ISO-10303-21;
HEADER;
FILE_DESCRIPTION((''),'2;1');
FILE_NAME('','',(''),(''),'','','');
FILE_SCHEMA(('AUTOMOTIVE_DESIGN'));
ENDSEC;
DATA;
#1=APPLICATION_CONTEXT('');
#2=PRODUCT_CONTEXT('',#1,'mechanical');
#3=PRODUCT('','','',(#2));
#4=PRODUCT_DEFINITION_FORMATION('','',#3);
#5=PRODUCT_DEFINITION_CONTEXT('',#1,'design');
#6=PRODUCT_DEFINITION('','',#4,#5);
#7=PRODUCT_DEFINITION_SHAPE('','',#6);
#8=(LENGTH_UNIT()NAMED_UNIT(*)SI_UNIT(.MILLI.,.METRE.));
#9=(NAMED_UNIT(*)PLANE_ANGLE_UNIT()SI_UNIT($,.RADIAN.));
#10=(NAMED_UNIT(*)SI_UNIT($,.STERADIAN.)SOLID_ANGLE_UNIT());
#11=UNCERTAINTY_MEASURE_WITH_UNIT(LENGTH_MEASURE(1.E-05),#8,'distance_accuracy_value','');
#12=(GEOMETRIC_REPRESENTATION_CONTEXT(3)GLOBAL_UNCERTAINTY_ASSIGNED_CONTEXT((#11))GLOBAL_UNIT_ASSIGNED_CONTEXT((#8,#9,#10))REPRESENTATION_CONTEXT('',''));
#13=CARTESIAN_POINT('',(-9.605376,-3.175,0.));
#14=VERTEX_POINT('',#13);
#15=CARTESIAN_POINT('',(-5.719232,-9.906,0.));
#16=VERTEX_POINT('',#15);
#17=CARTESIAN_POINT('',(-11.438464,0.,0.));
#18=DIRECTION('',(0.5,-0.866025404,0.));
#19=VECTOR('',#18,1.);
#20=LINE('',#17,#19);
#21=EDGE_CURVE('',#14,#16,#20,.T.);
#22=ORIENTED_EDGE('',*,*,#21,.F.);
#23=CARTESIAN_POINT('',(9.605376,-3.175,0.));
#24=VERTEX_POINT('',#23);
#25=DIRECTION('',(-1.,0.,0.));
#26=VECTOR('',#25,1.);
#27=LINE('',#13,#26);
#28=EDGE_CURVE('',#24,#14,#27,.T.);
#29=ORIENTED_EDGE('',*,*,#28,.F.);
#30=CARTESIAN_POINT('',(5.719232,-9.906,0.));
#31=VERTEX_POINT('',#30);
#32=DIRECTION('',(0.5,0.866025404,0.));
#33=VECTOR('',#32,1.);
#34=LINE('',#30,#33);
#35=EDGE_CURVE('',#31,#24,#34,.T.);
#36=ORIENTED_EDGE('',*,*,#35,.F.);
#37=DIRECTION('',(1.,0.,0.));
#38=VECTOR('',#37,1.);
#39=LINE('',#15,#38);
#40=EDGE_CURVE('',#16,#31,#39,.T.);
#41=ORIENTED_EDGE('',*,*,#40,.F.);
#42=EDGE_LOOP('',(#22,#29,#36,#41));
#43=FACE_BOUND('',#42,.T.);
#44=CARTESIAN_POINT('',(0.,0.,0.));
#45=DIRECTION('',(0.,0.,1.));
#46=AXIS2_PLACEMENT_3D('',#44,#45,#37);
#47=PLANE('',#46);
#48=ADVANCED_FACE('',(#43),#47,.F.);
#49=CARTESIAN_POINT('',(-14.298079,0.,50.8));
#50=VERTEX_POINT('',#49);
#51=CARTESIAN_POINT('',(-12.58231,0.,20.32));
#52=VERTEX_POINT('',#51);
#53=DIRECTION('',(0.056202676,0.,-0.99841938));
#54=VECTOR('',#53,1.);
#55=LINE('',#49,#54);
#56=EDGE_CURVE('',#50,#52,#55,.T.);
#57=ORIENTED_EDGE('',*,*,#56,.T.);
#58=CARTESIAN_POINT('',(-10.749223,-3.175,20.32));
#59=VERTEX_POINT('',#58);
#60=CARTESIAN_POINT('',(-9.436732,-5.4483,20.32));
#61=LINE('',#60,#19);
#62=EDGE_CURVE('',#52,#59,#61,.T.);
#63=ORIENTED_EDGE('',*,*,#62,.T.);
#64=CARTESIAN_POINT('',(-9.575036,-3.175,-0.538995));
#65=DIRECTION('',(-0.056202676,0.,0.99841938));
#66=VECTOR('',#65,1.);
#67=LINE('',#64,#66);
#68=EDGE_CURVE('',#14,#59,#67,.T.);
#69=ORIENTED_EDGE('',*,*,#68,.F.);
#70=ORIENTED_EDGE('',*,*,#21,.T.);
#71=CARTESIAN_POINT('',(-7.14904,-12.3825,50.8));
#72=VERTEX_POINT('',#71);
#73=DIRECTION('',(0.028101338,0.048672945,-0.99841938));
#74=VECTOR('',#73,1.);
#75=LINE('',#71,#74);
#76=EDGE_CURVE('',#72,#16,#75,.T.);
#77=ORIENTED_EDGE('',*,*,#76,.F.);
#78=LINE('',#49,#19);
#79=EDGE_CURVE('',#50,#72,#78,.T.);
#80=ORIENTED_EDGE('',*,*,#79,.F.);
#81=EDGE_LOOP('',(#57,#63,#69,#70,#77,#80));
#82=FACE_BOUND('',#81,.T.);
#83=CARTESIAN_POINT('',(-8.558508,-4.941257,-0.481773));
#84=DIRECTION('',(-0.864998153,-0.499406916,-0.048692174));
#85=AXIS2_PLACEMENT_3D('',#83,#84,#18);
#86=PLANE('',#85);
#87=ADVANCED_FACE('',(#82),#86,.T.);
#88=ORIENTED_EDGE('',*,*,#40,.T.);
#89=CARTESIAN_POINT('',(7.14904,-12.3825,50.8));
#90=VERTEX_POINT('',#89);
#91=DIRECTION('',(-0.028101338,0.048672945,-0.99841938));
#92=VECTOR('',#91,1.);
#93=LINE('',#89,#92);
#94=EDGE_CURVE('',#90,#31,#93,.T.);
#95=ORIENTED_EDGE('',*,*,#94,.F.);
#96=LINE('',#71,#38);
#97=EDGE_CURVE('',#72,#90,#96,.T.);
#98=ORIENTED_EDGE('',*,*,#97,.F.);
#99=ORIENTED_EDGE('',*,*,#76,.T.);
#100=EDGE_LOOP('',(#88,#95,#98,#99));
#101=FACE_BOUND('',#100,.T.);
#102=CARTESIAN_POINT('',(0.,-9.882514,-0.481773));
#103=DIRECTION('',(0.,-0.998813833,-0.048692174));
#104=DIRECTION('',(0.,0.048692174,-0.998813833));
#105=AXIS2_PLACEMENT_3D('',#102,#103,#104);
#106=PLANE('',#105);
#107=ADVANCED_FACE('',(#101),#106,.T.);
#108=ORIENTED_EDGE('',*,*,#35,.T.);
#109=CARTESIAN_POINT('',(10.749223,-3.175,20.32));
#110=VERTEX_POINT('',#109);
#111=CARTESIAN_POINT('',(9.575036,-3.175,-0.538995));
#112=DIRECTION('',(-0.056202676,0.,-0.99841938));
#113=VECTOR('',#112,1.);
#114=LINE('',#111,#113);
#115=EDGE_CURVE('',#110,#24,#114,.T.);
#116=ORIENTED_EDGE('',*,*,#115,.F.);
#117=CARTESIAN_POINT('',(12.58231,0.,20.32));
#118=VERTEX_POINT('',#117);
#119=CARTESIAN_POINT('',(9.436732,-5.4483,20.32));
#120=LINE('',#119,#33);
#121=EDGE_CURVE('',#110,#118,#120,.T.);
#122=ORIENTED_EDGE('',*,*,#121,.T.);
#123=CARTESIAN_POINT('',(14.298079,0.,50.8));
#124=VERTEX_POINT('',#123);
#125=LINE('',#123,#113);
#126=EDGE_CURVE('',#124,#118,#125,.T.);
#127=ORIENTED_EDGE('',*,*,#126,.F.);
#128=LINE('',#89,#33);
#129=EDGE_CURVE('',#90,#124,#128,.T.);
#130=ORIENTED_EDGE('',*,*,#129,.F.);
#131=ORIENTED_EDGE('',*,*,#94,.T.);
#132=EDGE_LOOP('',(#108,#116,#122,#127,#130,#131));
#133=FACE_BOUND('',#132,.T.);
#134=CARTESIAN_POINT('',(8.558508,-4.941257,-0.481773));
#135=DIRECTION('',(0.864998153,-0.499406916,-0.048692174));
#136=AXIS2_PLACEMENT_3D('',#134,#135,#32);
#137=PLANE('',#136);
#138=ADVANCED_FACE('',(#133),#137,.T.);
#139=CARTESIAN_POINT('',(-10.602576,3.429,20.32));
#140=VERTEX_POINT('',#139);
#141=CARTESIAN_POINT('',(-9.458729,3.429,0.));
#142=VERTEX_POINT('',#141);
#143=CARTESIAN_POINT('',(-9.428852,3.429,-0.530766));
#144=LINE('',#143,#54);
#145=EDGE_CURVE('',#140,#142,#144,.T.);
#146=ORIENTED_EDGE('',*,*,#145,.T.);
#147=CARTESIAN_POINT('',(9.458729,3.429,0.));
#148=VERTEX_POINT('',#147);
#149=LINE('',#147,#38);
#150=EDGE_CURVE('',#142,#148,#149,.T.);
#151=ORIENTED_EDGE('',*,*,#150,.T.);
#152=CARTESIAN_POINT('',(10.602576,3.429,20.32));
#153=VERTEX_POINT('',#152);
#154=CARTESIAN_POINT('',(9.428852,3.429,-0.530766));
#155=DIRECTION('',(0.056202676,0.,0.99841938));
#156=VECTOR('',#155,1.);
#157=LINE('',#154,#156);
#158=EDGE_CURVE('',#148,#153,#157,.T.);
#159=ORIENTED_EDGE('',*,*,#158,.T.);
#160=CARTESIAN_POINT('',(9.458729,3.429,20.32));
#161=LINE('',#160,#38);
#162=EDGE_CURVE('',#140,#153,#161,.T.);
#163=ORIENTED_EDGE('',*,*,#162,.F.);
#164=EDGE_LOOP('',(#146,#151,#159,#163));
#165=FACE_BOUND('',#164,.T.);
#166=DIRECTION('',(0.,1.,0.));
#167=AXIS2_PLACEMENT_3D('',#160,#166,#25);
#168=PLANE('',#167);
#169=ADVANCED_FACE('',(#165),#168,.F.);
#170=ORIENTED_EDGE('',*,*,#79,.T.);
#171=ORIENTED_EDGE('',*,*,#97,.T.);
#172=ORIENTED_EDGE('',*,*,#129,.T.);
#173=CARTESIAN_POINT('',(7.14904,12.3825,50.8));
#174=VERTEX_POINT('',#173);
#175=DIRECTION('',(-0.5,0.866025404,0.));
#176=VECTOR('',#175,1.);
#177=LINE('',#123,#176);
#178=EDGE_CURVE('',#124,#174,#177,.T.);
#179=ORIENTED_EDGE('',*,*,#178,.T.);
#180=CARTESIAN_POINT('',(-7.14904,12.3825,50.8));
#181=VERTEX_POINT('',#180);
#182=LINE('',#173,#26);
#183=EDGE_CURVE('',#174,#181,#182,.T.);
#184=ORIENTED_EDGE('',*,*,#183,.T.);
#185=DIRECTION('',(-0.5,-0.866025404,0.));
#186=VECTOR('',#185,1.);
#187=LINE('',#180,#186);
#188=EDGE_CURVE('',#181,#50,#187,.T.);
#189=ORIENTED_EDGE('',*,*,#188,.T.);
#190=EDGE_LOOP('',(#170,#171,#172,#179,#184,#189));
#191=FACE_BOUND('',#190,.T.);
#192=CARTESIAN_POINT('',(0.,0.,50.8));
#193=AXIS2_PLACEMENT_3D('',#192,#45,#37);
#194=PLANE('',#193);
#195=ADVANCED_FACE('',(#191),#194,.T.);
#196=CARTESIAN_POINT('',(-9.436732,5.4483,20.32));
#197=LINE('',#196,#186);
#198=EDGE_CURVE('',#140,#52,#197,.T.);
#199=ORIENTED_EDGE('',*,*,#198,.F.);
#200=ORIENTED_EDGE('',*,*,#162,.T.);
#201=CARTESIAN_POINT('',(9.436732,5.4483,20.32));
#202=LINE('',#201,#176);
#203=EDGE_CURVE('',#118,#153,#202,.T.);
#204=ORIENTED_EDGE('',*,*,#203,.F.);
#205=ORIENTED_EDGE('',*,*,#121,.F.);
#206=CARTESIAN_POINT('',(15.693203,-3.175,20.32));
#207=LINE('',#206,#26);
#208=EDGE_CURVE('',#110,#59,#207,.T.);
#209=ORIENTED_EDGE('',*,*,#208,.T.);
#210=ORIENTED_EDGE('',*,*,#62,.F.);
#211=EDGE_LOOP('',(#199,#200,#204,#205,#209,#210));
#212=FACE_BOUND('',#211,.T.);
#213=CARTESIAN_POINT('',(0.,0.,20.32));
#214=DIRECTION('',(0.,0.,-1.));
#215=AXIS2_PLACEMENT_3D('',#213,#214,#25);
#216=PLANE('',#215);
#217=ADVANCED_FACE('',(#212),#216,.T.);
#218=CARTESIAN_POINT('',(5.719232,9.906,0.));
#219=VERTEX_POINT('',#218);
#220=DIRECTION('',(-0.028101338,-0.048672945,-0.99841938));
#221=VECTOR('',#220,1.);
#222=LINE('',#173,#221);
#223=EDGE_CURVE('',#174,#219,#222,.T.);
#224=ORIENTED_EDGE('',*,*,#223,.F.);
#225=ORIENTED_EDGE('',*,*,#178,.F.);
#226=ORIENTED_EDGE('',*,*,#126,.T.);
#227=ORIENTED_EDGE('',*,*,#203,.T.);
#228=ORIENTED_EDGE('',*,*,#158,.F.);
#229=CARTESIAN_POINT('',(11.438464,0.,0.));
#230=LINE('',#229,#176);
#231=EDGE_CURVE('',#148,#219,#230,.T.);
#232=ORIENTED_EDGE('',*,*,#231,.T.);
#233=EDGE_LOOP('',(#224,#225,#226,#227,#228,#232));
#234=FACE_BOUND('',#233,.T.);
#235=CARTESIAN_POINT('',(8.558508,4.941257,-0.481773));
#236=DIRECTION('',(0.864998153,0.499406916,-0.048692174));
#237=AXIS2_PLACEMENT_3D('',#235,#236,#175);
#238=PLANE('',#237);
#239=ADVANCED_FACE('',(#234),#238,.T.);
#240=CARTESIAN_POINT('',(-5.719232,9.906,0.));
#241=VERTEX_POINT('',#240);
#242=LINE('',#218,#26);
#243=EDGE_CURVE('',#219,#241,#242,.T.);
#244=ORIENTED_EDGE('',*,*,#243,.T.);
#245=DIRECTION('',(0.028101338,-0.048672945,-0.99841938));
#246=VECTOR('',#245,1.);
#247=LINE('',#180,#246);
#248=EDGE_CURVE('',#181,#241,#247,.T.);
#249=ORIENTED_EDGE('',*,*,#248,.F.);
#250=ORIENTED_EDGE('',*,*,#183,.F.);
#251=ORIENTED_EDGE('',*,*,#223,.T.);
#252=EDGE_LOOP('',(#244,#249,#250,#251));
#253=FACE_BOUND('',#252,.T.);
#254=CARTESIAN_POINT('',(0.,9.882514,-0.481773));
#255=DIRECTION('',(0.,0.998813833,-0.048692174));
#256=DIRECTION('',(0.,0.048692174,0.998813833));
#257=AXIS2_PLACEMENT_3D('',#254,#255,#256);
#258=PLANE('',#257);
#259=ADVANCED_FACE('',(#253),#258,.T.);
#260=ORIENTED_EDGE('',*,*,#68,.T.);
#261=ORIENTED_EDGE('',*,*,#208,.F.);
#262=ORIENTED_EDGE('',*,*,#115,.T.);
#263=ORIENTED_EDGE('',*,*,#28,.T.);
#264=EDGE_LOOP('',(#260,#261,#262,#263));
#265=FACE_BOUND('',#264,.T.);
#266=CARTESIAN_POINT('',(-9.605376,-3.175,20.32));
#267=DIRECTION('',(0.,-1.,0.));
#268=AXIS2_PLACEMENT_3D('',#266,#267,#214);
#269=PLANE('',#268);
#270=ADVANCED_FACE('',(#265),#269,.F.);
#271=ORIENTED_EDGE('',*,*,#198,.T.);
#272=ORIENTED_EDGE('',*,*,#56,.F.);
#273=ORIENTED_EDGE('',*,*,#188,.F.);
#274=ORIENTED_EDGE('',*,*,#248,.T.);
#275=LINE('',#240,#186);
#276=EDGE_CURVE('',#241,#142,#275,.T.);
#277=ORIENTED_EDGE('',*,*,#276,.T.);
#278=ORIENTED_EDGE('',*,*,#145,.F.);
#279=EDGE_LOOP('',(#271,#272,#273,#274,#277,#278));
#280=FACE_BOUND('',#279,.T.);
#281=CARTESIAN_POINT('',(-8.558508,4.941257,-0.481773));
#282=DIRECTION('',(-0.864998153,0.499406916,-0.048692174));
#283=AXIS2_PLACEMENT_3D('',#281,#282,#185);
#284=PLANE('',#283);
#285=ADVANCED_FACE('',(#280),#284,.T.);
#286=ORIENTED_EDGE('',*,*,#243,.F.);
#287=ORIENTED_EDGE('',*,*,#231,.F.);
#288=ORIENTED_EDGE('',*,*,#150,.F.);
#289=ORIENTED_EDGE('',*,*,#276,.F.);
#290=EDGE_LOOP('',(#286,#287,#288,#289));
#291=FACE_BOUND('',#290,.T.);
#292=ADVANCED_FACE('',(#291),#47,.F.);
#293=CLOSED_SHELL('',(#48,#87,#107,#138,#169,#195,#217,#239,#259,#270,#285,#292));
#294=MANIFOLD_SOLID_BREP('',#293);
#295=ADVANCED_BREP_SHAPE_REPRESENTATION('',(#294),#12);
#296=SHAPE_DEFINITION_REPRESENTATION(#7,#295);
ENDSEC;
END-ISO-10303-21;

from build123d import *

# Parameters (mm, degrees)
CUT_EXTRUDE1_DEPTH = 20.32


with BuildPart() as part:
    # Sketch2 → Loft1 section 0
    with BuildSketch(Plane.XY.offset(50.8)):
        with BuildLine():
            Line((-14.298079416, 0), (-7.149039708, -12.3825))
            Line((-7.149039708, -12.3825), (7.149039708, -12.3825))
            Line((7.149039708, -12.3825), (14.298079416, 0))
            Line((14.298079416, 0), (7.149039708, 12.3825))
            Line((7.149039708, 12.3825), (-7.149039708, 12.3825))
            Line((-7.149039708, 12.3825), (-14.298079416, 0))
        make_face()
    # Sketch1 → Loft1 section 1
    with BuildSketch(Plane.XY):
        with BuildLine():
            Line((11.438463533, 0), (5.719231767, 9.906))
            Line((5.719231767, 9.906), (-5.719231767, 9.906))
            Line((-5.719231767, 9.906), (-11.438463533, 0))
            Line((-11.438463533, 0), (-5.719231767, -9.906))
            Line((-5.719231767, -9.906), (5.719231767, -9.906))
            Line((5.719231767, -9.906), (11.438463533, 0))
        make_face()
    loft()

    # Sketch4 → Cut-Extrude1 (cut)
    with BuildSketch(Plane(origin=(0, 0, 0), x_dir=(-1, 0, 0), z_dir=(0, 0, -1))):
        Polygon((-9.45872946, 3.429), (9.45872946, 3.429), (15.693203295, 3.429), (15.693203295, -3.175), (9.605376429, -3.175), (-9.605376429, -3.175), (-15.693203295, -3.175), (-15.693203295, 3.429), align=None)
    extrude(amount=-CUT_EXTRUDE1_DEPTH, mode=Mode.SUBTRACT)


solid = part.part
